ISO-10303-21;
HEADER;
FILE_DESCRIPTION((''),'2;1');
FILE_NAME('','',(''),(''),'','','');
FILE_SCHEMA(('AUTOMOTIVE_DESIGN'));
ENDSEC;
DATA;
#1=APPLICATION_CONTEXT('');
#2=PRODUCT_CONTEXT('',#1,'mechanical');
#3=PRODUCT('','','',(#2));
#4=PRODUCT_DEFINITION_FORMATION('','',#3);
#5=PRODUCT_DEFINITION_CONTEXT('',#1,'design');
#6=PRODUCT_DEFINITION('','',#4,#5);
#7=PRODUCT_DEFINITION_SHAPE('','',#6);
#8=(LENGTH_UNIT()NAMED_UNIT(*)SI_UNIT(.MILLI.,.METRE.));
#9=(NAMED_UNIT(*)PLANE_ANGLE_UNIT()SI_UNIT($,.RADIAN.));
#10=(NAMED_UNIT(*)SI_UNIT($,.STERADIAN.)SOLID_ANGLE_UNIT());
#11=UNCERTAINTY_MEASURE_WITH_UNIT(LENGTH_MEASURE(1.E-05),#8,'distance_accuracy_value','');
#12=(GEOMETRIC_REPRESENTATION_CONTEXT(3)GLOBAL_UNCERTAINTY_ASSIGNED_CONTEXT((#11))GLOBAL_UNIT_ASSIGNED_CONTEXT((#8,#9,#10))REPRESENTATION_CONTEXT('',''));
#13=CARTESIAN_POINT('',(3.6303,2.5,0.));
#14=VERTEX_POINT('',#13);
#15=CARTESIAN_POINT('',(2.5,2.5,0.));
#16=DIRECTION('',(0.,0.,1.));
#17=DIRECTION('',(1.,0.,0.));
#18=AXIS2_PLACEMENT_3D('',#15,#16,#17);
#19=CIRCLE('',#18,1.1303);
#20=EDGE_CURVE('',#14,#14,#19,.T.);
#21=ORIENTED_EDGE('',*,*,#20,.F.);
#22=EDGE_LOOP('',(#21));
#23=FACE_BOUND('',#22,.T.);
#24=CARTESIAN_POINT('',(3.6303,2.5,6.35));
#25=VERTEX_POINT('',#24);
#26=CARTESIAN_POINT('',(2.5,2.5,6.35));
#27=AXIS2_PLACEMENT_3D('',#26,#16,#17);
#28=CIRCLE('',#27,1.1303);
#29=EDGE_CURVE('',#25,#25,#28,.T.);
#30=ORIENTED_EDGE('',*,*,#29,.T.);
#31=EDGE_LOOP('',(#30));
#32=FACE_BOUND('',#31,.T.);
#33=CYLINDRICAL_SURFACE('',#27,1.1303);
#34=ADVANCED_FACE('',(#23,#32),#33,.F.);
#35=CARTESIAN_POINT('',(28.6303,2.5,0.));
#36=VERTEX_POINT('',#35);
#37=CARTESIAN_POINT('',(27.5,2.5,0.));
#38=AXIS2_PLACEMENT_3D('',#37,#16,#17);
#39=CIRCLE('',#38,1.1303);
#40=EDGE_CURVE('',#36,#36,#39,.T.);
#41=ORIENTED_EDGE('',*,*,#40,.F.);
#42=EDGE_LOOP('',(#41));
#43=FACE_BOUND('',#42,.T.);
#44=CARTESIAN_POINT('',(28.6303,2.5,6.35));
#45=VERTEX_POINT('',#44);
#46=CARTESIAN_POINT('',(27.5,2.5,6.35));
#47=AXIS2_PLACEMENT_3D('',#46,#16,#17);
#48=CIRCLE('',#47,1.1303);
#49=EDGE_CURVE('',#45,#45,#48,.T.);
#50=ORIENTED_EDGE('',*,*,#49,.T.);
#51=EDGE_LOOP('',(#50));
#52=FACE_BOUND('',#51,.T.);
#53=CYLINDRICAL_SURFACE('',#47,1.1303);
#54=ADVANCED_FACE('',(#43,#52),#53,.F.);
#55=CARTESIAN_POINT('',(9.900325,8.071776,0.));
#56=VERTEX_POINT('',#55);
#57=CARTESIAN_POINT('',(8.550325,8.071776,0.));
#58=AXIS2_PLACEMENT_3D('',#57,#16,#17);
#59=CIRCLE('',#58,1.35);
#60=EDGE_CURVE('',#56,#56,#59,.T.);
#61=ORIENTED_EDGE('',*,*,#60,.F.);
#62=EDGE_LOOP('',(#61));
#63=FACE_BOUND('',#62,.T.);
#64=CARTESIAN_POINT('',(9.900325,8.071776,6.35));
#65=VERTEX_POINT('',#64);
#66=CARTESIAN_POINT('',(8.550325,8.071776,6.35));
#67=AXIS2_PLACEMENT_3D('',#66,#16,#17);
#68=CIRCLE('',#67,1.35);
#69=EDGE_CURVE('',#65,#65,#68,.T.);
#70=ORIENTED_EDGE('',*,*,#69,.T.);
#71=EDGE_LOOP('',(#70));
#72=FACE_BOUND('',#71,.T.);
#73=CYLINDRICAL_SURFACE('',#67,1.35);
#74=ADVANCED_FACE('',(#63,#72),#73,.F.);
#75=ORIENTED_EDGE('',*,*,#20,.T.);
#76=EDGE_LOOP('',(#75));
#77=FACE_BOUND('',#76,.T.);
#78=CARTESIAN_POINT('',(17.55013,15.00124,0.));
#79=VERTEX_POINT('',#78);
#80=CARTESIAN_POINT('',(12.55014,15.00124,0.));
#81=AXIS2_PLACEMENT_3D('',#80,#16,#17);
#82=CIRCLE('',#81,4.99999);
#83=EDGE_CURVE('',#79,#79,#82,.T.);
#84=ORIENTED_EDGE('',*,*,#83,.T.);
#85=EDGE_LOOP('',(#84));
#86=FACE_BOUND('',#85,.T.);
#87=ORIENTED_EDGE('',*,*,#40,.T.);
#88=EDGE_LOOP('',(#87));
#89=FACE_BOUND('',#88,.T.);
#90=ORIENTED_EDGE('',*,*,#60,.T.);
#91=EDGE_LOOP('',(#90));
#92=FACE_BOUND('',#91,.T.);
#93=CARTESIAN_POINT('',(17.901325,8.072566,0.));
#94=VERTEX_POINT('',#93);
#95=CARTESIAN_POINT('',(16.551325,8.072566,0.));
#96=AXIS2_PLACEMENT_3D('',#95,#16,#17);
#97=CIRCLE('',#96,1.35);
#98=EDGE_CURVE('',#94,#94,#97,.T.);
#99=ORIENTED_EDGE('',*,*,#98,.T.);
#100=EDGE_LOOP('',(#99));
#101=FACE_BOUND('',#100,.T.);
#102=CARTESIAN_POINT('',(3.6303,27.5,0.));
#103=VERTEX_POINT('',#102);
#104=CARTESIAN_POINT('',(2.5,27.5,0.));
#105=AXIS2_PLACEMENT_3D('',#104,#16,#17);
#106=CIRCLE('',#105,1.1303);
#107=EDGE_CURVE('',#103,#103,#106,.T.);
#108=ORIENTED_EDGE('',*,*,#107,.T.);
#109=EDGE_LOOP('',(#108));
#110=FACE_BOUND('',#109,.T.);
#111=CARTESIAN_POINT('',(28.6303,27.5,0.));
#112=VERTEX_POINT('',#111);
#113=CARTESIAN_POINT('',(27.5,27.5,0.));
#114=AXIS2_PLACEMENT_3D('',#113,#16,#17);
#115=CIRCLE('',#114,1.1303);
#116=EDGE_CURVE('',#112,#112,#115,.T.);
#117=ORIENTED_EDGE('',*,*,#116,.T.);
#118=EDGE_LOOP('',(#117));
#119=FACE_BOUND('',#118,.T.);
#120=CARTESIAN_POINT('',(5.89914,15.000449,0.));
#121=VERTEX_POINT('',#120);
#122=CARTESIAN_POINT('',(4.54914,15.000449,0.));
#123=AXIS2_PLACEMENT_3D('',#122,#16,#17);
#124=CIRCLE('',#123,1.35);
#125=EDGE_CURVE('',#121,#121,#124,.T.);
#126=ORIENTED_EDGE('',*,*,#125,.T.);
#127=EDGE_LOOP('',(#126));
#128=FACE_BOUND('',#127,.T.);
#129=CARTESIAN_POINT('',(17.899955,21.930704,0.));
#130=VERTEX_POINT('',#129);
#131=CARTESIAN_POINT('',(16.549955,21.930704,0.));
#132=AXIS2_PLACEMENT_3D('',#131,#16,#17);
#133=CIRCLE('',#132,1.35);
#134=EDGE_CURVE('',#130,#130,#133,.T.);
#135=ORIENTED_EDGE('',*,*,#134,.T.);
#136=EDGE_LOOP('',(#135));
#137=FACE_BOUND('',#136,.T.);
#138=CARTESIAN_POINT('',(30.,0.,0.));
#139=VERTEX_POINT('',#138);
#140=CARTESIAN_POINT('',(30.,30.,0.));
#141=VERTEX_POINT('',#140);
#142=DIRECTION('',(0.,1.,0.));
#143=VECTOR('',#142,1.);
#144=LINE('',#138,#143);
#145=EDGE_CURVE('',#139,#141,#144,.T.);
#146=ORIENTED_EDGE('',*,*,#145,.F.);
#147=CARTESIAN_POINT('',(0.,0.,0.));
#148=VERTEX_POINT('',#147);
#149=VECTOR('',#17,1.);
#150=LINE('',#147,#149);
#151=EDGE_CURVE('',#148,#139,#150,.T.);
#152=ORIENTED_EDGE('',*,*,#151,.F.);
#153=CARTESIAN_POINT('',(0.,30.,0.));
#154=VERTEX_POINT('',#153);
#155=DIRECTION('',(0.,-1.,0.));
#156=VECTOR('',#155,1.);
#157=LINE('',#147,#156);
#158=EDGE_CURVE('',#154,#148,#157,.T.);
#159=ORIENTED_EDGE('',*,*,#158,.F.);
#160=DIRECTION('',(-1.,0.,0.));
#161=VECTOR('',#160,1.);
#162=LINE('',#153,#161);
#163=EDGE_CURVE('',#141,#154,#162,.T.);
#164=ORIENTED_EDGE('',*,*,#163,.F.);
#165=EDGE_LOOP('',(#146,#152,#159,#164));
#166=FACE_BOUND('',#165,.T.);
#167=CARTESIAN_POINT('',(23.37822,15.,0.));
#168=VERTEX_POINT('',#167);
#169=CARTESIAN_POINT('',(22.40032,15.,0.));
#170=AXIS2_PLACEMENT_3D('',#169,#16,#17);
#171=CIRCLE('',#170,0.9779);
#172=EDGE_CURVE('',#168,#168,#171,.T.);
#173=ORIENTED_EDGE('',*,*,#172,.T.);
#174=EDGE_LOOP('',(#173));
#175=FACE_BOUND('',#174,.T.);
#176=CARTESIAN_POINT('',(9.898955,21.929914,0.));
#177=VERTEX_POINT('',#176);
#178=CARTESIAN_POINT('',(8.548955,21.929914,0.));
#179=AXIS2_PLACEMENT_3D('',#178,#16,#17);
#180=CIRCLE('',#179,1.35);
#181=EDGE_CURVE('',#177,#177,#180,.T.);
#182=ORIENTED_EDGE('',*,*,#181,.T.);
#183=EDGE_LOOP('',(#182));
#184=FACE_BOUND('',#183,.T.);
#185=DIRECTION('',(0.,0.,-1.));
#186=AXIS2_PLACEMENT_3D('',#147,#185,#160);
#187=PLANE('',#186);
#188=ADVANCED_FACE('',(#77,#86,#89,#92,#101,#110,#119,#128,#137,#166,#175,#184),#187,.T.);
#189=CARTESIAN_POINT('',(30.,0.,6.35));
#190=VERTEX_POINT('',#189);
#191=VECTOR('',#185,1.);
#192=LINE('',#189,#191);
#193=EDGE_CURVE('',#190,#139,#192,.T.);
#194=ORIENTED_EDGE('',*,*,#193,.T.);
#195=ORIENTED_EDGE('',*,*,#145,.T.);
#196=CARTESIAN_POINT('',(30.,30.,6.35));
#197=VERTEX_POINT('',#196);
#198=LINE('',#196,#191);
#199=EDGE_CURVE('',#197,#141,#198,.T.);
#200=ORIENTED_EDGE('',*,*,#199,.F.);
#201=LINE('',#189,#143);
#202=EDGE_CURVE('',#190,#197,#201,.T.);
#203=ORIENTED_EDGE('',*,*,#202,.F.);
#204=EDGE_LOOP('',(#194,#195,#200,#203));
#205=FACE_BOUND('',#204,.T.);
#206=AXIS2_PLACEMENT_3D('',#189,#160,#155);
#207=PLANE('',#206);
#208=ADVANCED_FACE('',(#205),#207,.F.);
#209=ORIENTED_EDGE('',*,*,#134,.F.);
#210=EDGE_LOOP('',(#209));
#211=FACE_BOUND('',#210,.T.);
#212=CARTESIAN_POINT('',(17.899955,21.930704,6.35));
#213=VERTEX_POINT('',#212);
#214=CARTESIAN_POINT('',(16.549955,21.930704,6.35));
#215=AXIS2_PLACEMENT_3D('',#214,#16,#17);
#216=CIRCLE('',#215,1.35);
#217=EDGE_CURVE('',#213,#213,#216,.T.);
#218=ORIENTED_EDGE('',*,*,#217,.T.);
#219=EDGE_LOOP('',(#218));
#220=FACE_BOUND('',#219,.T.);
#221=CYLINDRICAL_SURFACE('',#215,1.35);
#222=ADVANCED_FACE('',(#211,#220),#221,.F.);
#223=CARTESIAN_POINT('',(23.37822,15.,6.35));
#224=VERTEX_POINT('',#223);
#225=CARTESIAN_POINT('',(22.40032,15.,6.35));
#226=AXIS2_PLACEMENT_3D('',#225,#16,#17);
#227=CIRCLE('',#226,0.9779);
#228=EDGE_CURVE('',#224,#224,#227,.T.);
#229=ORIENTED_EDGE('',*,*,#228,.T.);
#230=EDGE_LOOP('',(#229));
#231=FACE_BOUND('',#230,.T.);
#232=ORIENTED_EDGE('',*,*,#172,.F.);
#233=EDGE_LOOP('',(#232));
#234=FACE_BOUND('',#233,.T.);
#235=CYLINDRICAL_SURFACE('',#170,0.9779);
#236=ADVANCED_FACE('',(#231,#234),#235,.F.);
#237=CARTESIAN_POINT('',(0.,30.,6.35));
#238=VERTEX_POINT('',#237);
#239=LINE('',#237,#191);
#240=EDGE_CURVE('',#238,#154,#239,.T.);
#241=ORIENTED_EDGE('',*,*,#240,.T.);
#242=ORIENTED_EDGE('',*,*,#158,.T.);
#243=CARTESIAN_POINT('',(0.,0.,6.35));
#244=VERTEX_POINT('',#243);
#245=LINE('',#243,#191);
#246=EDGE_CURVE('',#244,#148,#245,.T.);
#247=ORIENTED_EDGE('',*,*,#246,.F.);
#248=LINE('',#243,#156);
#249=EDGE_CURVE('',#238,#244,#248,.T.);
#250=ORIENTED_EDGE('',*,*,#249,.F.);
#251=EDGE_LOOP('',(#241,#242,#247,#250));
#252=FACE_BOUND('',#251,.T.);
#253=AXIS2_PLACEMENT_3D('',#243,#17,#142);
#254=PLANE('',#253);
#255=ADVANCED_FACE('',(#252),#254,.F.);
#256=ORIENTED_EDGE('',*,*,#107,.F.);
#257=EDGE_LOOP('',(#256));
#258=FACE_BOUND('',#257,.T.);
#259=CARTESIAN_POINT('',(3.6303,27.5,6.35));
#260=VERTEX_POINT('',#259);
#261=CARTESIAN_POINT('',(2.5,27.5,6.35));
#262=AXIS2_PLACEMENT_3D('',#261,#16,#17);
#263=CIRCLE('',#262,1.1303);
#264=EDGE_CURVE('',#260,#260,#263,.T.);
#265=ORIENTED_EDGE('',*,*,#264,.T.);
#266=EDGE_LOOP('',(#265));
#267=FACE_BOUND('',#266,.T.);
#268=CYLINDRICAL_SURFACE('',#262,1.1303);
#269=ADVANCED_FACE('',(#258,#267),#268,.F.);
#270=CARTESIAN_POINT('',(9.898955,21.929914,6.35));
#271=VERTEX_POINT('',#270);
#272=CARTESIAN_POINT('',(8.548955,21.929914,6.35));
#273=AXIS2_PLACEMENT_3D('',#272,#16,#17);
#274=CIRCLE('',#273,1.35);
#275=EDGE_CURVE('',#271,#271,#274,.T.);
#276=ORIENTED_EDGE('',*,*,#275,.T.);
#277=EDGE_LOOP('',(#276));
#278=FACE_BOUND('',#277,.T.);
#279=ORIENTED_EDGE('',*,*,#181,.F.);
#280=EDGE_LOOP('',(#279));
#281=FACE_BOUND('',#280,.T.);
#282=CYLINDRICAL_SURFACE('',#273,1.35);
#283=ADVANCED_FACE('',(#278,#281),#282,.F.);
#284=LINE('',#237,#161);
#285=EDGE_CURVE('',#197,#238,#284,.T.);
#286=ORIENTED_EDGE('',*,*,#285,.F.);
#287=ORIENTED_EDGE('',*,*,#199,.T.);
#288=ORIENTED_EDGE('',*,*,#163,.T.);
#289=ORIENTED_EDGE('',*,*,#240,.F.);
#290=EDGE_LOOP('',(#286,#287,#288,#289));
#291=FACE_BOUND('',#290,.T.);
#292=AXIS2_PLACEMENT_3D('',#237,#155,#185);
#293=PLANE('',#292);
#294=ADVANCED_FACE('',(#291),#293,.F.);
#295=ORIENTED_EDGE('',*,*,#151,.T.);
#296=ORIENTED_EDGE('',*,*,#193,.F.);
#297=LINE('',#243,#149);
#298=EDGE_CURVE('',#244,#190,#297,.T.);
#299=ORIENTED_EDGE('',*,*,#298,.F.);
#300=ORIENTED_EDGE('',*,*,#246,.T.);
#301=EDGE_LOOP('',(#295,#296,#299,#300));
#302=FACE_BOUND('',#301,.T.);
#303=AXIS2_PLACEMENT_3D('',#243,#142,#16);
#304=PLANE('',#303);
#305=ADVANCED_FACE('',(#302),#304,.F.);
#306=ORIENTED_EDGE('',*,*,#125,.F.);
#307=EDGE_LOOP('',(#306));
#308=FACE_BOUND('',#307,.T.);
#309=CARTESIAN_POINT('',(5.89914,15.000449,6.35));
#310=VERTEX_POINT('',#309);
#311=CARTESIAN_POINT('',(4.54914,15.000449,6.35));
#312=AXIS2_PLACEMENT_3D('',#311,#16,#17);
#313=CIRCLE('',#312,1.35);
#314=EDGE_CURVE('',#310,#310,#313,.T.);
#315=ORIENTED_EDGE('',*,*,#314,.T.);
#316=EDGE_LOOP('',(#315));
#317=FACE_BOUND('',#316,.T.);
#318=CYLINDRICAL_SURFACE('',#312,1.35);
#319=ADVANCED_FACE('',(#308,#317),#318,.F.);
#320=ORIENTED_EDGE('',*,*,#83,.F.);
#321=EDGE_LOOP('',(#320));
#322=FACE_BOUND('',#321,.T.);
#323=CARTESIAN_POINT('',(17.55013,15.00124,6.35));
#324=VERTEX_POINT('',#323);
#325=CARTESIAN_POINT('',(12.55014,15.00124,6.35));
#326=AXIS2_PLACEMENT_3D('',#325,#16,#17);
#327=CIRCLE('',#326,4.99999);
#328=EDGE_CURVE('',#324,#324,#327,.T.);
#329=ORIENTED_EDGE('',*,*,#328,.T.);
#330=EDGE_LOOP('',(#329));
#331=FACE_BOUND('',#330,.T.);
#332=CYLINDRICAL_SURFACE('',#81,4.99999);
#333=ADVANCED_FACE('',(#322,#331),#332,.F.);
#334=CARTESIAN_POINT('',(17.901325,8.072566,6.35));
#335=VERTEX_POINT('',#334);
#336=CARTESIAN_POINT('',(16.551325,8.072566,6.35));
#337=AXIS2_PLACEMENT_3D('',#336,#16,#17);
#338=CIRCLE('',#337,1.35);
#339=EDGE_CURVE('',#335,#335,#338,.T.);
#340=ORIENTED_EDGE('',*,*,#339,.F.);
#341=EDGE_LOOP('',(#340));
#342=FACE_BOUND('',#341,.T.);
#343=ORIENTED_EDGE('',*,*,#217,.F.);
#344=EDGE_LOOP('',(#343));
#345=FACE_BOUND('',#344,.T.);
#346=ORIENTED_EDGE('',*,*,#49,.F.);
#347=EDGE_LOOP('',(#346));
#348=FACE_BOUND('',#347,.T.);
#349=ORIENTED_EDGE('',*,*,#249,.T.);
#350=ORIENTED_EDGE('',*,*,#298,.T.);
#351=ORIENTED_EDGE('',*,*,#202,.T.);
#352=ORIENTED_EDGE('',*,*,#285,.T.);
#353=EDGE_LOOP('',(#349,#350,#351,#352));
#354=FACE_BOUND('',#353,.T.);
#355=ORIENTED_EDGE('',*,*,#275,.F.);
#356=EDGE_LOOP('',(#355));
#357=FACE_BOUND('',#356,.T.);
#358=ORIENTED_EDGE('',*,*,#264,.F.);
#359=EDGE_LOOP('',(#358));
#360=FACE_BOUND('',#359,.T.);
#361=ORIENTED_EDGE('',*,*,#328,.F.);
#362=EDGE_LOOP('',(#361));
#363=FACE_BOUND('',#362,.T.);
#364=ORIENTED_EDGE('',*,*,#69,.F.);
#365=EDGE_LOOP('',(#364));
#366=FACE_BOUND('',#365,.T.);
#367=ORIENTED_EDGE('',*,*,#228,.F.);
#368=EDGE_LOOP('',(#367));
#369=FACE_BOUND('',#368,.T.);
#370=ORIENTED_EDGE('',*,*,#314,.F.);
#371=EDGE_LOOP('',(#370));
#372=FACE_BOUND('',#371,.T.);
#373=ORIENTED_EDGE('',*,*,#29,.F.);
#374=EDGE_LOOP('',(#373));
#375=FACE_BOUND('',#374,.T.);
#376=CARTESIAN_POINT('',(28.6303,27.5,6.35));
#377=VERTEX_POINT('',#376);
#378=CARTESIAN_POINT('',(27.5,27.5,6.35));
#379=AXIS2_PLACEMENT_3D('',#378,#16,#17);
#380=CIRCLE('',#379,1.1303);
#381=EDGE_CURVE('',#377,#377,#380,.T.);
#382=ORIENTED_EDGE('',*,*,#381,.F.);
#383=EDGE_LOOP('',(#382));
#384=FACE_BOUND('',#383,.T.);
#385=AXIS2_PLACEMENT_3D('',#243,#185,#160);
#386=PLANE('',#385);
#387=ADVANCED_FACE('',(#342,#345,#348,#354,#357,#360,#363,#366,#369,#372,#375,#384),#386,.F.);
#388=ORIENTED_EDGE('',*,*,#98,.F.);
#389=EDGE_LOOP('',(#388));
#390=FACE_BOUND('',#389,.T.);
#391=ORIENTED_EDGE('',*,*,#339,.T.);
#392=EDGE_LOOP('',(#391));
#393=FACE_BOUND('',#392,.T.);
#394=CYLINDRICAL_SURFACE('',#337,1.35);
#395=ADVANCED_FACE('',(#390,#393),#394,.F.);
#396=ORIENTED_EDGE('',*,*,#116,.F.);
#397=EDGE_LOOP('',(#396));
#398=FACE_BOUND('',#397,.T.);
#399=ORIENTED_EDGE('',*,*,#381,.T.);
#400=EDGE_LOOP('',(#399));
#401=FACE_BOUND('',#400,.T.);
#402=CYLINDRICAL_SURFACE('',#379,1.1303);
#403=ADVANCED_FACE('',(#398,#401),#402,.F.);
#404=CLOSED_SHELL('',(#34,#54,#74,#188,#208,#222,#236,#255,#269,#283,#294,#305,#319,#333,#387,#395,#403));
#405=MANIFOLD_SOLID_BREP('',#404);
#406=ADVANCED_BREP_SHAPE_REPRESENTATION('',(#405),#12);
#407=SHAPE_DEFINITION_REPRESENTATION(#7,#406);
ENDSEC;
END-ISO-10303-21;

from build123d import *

# Parameters (mm, degrees)
SKETCH1_W              = 30
SKETCH1_H              = 30
BOSS_EXTRUDE1_DEPTH    = 6.35
F_2_CLEARANCE_HOLE1_D  = 2.2606
SKETCH4_R              = 4.99999
CUT_EXTRUDE1_DEPTH     = 43.898980174
M2_5_CLEARANCE_HOLE1_D = 2.7
SKETCH9_R              = 0.9779
CUT_EXTRUDE2_DEPTH     = 43.898980174


with BuildPart() as part:
    # Sketch1 → Boss-Extrude1 (new body)
    with BuildSketch(Plane.XY):
        with Locations((15, 15)):
            Rectangle(SKETCH1_W, SKETCH1_H)
    extrude(amount=BOSS_EXTRUDE1_DEPTH)

    # #2 Clearance Hole1 (through all)
    with Locations(Plane.XY.offset(6.35)):
        with Locations((2.5, 27.5), (27.5, 27.5), (2.5, 2.5), (27.5, 2.5)):
            Hole(F_2_CLEARANCE_HOLE1_D / 2)

    # Sketch4 → Cut-Extrude1 (cut, through all)
    with BuildSketch(Plane.XY.offset(6.35)):
        with Locations((12.55014, 15.00124)):
            Circle(SKETCH4_R)
    extrude(amount=-CUT_EXTRUDE1_DEPTH, mode=Mode.SUBTRACT)

    # M2.5 Clearance Hole1 (through all)
    with Locations(Plane.XY.offset(6.35)):
        with Locations((16.551324598, 8.072566042), (8.550324637, 8.071775514), (4.549140039, 15.000449472), (8.548955402, 21.929913958), (16.549955363, 21.930704486)):
            Hole(M2_5_CLEARANCE_HOLE1_D / 2)

    # Sketch9 → Cut-Extrude2 (cut, through all)
    with BuildSketch(Plane.XY.offset(6.35)):
        with Locations((22.40032, 15)):
            Circle(SKETCH9_R)
    extrude(amount=-CUT_EXTRUDE2_DEPTH, mode=Mode.SUBTRACT)


solid = part.part
